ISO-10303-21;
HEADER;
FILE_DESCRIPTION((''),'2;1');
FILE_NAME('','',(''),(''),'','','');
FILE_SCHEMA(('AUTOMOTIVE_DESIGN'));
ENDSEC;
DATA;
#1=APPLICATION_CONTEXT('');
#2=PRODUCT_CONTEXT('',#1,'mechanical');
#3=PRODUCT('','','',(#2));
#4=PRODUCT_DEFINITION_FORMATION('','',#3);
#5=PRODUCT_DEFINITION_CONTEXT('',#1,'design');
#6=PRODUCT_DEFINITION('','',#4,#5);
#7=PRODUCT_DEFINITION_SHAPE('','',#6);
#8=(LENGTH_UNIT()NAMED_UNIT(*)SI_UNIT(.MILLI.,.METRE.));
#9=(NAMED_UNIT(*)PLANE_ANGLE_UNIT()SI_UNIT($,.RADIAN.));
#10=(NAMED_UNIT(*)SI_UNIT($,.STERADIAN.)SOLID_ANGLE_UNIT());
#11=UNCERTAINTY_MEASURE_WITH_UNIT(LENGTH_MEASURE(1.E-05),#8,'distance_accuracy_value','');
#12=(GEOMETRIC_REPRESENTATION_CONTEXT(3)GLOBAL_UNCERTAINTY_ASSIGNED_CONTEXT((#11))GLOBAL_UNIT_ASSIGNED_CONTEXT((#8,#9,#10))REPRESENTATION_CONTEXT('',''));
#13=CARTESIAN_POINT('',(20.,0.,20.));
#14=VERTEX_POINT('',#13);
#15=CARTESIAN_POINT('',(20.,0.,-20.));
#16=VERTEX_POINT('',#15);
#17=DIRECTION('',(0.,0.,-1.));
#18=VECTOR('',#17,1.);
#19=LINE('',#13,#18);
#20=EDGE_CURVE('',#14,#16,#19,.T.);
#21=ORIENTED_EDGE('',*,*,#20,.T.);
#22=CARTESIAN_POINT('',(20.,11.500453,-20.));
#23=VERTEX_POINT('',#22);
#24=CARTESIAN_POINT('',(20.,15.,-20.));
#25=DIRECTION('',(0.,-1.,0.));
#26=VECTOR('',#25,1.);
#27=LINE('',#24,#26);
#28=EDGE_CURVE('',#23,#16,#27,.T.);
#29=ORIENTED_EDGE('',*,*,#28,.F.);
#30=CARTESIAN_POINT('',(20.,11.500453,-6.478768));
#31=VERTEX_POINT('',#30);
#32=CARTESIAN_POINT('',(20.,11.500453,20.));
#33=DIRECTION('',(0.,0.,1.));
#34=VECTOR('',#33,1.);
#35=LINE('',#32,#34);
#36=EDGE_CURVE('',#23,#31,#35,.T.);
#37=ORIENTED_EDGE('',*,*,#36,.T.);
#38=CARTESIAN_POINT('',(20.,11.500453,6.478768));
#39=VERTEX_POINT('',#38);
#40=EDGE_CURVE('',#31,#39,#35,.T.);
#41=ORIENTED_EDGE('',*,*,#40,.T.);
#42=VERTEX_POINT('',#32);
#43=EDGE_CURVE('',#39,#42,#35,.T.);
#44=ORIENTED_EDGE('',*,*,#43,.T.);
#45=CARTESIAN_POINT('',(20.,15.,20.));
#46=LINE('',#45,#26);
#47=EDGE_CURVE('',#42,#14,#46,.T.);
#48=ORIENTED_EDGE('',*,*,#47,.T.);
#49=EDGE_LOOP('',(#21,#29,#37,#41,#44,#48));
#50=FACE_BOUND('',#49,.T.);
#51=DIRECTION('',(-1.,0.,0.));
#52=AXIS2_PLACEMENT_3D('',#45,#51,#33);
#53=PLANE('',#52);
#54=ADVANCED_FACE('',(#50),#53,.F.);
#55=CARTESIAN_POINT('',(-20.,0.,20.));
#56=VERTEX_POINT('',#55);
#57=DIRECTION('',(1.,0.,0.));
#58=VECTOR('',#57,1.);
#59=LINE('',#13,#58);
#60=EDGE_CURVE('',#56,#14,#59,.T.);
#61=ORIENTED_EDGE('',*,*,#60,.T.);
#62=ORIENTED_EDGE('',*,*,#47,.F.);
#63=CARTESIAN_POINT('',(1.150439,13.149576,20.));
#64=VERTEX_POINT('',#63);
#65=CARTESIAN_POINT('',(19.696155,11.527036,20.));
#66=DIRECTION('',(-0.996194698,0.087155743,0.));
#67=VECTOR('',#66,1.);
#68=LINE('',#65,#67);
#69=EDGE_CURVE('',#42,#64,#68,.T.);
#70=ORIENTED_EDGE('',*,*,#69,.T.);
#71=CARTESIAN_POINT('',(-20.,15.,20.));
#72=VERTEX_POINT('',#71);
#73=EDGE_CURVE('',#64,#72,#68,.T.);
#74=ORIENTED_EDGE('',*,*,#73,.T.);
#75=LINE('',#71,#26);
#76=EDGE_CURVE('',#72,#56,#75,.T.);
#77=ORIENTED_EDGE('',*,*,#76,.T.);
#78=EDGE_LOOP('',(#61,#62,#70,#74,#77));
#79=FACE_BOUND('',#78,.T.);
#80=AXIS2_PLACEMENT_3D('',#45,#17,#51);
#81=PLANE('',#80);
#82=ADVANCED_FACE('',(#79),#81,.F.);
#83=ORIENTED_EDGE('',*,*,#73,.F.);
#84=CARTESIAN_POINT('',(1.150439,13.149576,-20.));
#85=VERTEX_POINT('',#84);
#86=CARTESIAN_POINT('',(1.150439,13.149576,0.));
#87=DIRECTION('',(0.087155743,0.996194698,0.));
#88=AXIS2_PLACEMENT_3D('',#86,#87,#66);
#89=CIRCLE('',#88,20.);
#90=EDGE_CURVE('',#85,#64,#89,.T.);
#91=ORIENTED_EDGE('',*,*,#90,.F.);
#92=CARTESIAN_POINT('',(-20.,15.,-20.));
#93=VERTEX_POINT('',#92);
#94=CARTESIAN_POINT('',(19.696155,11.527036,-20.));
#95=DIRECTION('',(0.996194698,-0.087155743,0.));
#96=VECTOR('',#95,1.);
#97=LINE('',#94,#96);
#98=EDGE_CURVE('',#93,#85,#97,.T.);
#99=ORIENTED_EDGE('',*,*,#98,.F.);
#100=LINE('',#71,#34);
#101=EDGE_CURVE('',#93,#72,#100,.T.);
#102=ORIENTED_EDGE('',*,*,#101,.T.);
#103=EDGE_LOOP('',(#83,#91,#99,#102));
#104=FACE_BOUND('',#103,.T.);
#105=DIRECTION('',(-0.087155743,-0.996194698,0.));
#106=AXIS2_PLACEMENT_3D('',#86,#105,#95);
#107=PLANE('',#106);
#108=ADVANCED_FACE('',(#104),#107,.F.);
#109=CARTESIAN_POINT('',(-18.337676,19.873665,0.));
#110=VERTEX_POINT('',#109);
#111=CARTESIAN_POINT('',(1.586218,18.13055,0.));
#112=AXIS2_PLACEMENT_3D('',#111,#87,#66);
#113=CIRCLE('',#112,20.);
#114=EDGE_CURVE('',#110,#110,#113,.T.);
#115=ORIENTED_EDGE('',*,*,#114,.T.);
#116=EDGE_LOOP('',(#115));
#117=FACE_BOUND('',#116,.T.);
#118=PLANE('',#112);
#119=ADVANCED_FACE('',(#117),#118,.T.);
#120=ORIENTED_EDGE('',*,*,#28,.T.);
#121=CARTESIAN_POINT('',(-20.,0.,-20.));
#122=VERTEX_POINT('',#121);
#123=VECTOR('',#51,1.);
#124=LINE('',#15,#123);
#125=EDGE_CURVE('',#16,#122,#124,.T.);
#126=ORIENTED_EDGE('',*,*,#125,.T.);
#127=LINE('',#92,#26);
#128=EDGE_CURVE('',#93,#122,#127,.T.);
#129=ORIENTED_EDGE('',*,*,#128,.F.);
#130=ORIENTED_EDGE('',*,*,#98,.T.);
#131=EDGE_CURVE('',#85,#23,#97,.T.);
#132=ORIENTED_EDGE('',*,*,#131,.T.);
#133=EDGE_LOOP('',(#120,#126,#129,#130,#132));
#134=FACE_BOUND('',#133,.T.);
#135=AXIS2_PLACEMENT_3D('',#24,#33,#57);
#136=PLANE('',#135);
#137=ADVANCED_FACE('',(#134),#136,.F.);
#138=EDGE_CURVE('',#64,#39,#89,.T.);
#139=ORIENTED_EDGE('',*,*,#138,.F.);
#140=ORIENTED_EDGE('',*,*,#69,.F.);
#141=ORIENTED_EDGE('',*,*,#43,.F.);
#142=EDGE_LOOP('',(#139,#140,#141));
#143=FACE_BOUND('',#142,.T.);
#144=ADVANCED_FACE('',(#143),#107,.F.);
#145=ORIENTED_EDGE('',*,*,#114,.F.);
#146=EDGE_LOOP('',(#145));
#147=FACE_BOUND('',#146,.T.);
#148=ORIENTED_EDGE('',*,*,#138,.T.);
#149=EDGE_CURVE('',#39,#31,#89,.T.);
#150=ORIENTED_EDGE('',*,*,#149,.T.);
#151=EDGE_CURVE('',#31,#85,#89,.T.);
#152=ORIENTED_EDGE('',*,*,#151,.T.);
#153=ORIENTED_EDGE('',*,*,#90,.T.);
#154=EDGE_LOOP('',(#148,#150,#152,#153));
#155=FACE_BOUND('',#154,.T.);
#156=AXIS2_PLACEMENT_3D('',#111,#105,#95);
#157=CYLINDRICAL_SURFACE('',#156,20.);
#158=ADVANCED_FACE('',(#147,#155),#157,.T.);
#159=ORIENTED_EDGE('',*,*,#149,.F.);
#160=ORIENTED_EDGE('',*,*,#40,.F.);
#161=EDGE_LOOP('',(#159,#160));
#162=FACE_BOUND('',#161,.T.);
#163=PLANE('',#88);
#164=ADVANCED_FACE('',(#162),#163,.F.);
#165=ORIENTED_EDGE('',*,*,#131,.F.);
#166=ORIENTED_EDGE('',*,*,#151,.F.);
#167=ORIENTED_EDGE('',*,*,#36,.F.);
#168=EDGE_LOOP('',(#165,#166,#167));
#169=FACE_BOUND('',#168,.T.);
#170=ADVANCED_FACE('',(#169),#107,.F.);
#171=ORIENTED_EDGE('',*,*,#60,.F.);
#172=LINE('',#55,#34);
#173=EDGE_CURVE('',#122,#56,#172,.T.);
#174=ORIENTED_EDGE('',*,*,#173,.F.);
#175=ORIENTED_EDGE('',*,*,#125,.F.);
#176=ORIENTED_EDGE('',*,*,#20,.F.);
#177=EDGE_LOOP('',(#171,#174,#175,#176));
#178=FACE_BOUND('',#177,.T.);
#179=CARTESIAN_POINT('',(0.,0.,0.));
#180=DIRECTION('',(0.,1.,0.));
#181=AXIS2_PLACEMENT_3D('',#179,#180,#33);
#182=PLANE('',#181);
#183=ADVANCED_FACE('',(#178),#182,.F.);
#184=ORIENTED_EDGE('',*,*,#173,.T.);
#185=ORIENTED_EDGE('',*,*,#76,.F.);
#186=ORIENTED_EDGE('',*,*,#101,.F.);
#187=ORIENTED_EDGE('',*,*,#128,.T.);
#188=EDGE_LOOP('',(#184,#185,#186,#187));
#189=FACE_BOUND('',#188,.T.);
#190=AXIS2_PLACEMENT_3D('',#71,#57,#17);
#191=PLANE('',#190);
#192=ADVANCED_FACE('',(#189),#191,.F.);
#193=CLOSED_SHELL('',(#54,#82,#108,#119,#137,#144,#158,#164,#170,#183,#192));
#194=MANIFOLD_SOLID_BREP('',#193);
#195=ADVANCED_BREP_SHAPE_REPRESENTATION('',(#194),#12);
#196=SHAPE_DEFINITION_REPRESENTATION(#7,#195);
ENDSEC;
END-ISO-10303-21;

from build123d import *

# Parameters (mm, degrees)
SKETCH3_W           = 40
SKETCH3_H           = 40
BOSS_EXTRUDE3_DEPTH = 15
SKETCH5_W           = 53.617813986
SKETCH5_H           = 48.453012442
CUT_EXTRUDE1_DEPTH  = 6
SKETCH6_R           = 20
BOSS_EXTRUDE4_DEPTH = 5


with BuildPart() as part:
    # Sketch3 → Boss-Extrude3 (new body)
    with BuildSketch(Plane(origin=(0, 0, 0), x_dir=(1, 0, 0), z_dir=(0, 1, 0))):
        Rectangle(SKETCH3_W, SKETCH3_H)
    extrude(amount=BOSS_EXTRUDE3_DEPTH)

    # Sketch5 → Cut-Extrude1 (cut)
    with BuildSketch(Plane(origin=(1.150438863, 13.149576371, 0), x_dir=(0, 0, 1), z_dir=(0.08715574274765836, 0.9961946980917455, 0))):
        Rectangle(SKETCH5_W, SKETCH5_H)
    extrude(amount=CUT_EXTRUDE1_DEPTH, mode=Mode.SUBTRACT)

    # Sketch6 → Boss-Extrude4 (add)
    with BuildSketch(Plane(origin=(1.150438863, 13.149576371, 0), x_dir=(0.9961946980917455, -0.08715574274765835, 0), z_dir=(0.08715574274765836, 0.9961946980917457, 0))):
        with Locations(Location((0, 0, 0), (0, 0, 341.098728442))):
            Circle(SKETCH6_R)
    extrude(amount=BOSS_EXTRUDE4_DEPTH)


solid = part.part
